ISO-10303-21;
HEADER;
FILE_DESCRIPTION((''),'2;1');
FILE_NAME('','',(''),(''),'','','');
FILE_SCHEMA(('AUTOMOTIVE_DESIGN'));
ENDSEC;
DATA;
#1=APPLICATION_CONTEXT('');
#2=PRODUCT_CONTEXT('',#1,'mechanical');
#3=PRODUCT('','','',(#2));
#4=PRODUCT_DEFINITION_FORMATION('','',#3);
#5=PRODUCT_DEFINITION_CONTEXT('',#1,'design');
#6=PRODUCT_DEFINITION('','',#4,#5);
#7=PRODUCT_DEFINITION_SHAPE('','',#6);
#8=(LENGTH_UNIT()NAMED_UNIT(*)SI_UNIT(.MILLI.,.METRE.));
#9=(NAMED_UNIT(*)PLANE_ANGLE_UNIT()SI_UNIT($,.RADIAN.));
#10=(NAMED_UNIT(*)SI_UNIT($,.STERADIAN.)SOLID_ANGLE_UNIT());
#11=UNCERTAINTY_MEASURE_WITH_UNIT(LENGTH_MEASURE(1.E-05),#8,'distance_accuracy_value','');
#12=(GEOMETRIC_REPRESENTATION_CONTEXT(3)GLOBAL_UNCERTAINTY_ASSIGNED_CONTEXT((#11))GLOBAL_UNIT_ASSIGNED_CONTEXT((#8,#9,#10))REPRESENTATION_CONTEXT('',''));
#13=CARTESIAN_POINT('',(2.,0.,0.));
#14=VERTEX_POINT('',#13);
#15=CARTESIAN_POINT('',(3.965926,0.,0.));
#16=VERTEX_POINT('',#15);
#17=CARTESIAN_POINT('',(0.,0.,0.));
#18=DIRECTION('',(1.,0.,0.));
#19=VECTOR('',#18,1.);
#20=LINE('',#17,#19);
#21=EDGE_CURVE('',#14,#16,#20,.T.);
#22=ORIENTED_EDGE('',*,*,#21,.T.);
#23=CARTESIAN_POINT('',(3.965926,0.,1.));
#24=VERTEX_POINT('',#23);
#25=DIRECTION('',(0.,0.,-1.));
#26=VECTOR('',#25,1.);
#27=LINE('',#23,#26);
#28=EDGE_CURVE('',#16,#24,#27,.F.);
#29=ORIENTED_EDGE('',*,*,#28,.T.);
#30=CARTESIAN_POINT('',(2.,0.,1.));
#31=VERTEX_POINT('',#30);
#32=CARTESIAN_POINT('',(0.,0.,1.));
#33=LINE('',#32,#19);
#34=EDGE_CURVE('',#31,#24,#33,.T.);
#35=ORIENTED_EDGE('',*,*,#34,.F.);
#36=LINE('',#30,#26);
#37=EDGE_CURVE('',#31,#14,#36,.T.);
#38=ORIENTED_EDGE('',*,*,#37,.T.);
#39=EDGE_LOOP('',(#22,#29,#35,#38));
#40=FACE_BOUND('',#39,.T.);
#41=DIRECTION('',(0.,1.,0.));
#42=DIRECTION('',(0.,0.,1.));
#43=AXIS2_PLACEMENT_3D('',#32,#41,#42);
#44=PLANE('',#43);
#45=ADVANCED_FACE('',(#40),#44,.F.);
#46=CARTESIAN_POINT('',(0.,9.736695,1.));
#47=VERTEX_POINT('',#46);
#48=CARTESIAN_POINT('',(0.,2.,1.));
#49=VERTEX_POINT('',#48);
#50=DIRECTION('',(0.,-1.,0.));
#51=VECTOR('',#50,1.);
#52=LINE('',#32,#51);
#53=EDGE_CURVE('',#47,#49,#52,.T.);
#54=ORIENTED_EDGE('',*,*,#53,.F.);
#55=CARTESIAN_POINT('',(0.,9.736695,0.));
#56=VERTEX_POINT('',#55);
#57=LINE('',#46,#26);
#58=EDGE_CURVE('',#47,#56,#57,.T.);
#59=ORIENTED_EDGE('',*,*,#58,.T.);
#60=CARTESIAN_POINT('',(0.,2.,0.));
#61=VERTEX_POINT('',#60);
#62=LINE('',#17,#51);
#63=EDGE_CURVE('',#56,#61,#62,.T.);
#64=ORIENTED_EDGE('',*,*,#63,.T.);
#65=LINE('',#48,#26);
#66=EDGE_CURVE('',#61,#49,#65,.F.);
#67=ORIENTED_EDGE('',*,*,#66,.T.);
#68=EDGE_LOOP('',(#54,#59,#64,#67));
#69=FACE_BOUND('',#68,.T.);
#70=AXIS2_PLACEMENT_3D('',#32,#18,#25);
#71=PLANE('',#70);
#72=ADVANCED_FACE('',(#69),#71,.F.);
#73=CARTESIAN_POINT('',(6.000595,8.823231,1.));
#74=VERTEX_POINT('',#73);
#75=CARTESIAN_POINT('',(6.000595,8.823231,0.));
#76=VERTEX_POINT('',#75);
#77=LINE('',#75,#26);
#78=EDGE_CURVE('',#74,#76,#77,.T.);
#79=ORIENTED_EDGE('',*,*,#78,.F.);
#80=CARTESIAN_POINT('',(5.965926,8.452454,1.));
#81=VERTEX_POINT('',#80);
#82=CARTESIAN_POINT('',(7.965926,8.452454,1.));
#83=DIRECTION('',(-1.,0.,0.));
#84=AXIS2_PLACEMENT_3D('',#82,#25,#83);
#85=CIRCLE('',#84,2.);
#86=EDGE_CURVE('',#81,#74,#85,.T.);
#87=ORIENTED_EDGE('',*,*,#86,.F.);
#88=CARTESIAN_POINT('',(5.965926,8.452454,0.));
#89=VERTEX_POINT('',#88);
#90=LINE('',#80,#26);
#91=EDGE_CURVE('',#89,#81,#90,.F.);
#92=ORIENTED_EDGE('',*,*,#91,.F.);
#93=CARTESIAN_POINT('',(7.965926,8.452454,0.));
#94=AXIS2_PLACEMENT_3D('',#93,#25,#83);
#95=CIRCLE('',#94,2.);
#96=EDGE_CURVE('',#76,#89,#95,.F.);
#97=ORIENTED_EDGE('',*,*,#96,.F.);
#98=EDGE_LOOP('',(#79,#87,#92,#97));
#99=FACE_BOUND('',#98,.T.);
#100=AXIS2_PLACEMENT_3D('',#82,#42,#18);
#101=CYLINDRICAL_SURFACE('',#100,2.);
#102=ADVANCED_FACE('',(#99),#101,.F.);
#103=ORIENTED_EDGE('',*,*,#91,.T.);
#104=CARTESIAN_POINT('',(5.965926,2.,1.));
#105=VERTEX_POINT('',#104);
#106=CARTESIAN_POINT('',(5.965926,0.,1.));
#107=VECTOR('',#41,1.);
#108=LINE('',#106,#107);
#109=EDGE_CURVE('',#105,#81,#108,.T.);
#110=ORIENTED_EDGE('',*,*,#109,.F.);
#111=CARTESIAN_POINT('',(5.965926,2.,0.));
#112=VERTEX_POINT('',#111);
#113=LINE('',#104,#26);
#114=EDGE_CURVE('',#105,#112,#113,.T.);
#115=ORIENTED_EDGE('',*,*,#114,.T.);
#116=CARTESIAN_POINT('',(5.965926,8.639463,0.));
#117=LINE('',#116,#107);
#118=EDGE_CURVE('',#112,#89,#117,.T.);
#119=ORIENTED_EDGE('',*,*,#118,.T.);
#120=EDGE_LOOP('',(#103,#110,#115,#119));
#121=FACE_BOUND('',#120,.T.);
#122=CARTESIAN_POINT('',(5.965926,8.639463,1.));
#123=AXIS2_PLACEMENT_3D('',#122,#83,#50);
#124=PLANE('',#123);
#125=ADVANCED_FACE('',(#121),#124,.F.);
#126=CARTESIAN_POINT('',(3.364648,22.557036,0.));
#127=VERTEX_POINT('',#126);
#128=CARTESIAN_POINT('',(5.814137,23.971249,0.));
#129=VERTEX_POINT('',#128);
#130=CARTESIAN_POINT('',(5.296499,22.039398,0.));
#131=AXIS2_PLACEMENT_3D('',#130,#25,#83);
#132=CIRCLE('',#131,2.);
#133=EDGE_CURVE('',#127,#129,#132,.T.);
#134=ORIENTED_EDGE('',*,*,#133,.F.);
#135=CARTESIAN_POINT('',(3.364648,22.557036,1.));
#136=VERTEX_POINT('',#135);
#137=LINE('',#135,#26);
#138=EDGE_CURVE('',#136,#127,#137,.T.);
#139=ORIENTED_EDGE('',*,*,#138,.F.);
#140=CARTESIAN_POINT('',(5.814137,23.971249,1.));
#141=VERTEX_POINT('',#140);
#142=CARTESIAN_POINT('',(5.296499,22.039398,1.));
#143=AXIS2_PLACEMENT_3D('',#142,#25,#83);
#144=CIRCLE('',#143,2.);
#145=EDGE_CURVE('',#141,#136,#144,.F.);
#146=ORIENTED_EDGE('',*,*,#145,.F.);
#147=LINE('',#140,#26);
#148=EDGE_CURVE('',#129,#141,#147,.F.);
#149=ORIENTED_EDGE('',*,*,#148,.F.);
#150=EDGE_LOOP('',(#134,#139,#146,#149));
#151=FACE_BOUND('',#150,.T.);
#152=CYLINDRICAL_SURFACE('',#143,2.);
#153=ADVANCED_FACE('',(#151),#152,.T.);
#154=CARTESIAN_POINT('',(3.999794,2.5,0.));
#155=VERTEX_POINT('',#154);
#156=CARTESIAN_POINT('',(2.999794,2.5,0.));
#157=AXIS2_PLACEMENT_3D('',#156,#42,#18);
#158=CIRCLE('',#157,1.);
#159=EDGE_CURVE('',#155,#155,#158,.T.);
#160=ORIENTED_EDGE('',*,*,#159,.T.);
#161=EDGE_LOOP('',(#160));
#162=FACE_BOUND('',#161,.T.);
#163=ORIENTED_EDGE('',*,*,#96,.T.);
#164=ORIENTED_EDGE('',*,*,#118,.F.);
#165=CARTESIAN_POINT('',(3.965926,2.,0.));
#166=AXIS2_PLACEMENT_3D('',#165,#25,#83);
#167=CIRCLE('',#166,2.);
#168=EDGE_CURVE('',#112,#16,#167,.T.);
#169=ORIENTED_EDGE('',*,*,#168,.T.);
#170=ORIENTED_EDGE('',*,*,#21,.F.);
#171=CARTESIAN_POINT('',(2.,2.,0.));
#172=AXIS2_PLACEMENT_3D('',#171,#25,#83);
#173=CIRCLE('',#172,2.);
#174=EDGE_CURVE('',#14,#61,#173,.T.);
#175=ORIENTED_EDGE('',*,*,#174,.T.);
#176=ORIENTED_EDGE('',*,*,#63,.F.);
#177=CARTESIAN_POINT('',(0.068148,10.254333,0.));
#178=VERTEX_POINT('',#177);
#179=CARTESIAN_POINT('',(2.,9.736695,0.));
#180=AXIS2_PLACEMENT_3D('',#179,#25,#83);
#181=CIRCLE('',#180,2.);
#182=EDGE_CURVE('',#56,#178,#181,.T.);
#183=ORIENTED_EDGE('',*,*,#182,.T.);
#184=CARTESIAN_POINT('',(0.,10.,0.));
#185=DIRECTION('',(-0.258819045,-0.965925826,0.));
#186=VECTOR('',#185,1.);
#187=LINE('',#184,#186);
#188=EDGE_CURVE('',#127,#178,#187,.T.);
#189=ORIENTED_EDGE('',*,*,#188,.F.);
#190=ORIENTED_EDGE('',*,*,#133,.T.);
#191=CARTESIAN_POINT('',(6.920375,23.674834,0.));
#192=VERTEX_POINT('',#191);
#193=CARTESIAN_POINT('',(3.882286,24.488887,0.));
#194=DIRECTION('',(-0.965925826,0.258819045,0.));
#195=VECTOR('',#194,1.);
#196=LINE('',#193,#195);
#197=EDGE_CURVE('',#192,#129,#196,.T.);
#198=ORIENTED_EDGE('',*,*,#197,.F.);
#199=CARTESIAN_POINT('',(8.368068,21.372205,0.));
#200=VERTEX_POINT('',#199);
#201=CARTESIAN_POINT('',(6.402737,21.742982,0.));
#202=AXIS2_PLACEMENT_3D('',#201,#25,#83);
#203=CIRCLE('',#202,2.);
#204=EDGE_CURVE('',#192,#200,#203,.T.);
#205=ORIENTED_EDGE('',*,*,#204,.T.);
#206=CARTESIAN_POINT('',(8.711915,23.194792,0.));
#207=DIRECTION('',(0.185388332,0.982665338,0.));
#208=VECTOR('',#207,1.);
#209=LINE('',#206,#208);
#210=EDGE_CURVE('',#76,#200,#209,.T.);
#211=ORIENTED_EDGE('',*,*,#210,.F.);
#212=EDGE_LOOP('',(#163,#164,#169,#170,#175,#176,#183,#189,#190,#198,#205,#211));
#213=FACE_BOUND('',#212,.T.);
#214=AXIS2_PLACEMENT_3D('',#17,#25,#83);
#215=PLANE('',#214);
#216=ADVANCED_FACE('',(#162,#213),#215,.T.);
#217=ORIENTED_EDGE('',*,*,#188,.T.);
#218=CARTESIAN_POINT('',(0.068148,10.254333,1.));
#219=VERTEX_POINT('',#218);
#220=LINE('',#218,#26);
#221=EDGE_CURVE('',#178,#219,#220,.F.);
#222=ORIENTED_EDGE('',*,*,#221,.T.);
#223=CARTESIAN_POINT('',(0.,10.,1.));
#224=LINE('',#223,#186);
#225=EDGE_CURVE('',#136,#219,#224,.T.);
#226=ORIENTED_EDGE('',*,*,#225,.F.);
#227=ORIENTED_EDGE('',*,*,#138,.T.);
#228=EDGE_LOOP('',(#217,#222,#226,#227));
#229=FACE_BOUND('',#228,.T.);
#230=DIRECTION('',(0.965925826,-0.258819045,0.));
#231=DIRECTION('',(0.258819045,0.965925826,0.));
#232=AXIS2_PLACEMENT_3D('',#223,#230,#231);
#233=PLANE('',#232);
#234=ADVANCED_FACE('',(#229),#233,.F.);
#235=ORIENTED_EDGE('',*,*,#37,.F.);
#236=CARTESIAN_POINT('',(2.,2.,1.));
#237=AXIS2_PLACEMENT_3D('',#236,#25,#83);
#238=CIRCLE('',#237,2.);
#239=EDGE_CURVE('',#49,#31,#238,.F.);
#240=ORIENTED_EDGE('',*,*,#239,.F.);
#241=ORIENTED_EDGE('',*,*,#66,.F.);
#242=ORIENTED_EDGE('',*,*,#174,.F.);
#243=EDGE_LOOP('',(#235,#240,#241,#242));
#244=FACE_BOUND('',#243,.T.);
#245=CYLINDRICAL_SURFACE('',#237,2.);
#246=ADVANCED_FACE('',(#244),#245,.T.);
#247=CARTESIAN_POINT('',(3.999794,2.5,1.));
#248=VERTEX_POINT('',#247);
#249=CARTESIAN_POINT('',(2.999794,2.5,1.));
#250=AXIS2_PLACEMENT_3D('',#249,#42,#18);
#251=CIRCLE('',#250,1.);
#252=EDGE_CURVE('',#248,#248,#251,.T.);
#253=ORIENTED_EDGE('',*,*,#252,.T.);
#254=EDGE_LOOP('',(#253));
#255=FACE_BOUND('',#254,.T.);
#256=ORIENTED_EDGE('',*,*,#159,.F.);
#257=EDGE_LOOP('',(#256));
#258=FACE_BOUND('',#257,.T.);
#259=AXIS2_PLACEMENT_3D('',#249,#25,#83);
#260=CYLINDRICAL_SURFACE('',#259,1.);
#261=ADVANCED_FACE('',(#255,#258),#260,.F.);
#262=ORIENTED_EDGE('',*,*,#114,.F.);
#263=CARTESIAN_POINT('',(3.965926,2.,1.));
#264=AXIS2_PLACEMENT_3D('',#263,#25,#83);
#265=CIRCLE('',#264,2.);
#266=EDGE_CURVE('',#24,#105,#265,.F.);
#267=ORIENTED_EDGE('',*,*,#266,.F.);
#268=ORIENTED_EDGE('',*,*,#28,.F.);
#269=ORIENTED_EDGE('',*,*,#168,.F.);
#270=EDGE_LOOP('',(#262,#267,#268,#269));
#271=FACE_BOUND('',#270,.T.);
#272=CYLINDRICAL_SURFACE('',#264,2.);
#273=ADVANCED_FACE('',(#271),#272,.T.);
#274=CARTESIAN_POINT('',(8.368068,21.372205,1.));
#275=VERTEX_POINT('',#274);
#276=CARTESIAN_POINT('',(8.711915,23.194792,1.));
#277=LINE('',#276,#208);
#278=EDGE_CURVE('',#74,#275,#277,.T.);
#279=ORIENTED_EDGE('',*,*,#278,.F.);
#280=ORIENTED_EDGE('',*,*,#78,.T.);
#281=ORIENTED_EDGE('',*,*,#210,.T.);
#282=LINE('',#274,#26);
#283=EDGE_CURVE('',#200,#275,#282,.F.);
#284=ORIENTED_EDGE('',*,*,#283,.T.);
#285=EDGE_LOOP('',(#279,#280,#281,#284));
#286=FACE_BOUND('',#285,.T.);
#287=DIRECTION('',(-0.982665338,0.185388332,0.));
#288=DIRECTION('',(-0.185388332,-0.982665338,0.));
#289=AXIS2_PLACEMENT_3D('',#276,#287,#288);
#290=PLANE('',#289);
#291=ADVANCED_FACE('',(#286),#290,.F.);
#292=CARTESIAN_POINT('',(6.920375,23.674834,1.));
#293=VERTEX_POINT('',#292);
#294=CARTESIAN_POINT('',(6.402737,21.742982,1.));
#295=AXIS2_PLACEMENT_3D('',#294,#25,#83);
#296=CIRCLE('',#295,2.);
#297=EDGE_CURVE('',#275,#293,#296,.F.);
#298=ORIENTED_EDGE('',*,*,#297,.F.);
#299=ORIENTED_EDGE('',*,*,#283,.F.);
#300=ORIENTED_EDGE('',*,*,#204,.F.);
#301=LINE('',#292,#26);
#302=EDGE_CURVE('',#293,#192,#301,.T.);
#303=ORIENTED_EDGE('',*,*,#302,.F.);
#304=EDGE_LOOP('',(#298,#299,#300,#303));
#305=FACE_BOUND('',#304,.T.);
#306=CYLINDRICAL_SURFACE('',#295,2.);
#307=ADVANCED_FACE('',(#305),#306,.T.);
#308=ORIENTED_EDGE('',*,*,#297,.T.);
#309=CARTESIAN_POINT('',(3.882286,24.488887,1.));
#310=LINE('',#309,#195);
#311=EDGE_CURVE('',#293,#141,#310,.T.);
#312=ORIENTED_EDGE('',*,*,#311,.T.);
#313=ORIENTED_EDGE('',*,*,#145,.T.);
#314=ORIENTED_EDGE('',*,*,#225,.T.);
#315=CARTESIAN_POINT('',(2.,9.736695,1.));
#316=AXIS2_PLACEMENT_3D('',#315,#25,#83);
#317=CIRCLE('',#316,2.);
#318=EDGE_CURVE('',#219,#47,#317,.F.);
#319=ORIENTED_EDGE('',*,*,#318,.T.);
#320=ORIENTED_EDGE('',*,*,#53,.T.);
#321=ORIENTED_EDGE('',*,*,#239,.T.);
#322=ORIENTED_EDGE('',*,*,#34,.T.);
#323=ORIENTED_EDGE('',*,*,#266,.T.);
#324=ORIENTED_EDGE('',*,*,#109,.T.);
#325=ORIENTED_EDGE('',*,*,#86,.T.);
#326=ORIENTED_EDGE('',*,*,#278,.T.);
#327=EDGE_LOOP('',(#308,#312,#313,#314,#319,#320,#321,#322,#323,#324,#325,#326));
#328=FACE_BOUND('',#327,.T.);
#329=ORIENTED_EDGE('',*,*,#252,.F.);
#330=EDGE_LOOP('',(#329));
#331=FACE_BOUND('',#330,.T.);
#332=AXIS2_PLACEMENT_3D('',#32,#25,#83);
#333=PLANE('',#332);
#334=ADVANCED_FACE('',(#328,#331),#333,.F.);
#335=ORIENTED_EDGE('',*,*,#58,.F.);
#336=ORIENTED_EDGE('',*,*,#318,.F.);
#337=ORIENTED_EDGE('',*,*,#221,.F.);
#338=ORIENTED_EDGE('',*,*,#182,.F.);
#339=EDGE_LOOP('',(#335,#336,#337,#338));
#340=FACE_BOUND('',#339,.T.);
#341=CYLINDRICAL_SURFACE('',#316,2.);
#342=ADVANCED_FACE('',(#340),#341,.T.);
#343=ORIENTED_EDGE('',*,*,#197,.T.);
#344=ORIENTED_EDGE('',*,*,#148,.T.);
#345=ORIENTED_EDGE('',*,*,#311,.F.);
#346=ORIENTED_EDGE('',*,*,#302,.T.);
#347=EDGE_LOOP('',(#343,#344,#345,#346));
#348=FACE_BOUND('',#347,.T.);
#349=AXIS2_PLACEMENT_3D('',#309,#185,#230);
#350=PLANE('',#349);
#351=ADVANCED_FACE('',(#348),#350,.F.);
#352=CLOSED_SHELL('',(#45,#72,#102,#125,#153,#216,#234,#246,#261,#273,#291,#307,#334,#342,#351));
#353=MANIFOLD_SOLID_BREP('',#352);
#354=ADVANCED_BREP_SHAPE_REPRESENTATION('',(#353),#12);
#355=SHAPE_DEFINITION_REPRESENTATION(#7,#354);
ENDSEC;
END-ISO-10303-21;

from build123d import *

# Parameters (mm, degrees)
SKETCH1_R           = 1
BOSS_EXTRUDE1_DEPTH = 1
FILLET1_R           = 2
FILLET2_R           = 2
FILLET3_R           = 2
FILLET4_R           = 2
FILLET5_R           = 2
FILLET6_R           = 2


with BuildPart() as part:
    # Sketch1 → Boss-Extrude1 (new body)
    with BuildSketch(Plane.XY):
        Polygon((0, 10), (3.882285677, 24.488887394), (8.711914808, 23.194792169), (5.965925826, 8.639463055), (5.965925826, 8.027846959), (5.965925826, 0), (0, 0), align=None)
        with Locations((2.999793512, 2.5)):
            Circle(SKETCH1_R, mode=Mode.SUBTRACT)
    extrude(amount=BOSS_EXTRUDE1_DEPTH)

    # Fillet1
    fillet1_edges = [part.edges().sort_by_distance(p)[0] for p in [
        (5.965925826, 0, 0.5),
    ]]
    fillet(fillet1_edges, radius=FILLET1_R)

    # Fillet2
    fillet2_edges = [part.edges().sort_by_distance(p)[0] for p in [
        (0, 0, 0.5),
    ]]
    fillet(fillet2_edges, radius=FILLET2_R)

    # Fillet3
    fillet3_edges = [part.edges().sort_by_distance(p)[0] for p in [
        (8.711914808, 23.194792169, 0.5),
    ]]
    fillet(fillet3_edges, radius=FILLET3_R)

    # Fillet4
    fillet4_edges = [part.edges().sort_by_distance(p)[0] for p in [
        (3.882285677, 24.488887394, 0.5),
    ]]
    fillet(fillet4_edges, radius=FILLET4_R)

    # Fillet5
    fillet5_edges = [part.edges().sort_by_distance(p)[0] for p in [
        (0, 10, 0.5),
    ]]
    fillet(fillet5_edges, radius=FILLET5_R)

    # Fillet6
    fillet6_edges = [part.edges().sort_by_distance(p)[0] for p in [
        (5.965925826, 8.639463055, 0.5),
    ]]
    fillet(fillet6_edges, radius=FILLET6_R)


solid = part.part
